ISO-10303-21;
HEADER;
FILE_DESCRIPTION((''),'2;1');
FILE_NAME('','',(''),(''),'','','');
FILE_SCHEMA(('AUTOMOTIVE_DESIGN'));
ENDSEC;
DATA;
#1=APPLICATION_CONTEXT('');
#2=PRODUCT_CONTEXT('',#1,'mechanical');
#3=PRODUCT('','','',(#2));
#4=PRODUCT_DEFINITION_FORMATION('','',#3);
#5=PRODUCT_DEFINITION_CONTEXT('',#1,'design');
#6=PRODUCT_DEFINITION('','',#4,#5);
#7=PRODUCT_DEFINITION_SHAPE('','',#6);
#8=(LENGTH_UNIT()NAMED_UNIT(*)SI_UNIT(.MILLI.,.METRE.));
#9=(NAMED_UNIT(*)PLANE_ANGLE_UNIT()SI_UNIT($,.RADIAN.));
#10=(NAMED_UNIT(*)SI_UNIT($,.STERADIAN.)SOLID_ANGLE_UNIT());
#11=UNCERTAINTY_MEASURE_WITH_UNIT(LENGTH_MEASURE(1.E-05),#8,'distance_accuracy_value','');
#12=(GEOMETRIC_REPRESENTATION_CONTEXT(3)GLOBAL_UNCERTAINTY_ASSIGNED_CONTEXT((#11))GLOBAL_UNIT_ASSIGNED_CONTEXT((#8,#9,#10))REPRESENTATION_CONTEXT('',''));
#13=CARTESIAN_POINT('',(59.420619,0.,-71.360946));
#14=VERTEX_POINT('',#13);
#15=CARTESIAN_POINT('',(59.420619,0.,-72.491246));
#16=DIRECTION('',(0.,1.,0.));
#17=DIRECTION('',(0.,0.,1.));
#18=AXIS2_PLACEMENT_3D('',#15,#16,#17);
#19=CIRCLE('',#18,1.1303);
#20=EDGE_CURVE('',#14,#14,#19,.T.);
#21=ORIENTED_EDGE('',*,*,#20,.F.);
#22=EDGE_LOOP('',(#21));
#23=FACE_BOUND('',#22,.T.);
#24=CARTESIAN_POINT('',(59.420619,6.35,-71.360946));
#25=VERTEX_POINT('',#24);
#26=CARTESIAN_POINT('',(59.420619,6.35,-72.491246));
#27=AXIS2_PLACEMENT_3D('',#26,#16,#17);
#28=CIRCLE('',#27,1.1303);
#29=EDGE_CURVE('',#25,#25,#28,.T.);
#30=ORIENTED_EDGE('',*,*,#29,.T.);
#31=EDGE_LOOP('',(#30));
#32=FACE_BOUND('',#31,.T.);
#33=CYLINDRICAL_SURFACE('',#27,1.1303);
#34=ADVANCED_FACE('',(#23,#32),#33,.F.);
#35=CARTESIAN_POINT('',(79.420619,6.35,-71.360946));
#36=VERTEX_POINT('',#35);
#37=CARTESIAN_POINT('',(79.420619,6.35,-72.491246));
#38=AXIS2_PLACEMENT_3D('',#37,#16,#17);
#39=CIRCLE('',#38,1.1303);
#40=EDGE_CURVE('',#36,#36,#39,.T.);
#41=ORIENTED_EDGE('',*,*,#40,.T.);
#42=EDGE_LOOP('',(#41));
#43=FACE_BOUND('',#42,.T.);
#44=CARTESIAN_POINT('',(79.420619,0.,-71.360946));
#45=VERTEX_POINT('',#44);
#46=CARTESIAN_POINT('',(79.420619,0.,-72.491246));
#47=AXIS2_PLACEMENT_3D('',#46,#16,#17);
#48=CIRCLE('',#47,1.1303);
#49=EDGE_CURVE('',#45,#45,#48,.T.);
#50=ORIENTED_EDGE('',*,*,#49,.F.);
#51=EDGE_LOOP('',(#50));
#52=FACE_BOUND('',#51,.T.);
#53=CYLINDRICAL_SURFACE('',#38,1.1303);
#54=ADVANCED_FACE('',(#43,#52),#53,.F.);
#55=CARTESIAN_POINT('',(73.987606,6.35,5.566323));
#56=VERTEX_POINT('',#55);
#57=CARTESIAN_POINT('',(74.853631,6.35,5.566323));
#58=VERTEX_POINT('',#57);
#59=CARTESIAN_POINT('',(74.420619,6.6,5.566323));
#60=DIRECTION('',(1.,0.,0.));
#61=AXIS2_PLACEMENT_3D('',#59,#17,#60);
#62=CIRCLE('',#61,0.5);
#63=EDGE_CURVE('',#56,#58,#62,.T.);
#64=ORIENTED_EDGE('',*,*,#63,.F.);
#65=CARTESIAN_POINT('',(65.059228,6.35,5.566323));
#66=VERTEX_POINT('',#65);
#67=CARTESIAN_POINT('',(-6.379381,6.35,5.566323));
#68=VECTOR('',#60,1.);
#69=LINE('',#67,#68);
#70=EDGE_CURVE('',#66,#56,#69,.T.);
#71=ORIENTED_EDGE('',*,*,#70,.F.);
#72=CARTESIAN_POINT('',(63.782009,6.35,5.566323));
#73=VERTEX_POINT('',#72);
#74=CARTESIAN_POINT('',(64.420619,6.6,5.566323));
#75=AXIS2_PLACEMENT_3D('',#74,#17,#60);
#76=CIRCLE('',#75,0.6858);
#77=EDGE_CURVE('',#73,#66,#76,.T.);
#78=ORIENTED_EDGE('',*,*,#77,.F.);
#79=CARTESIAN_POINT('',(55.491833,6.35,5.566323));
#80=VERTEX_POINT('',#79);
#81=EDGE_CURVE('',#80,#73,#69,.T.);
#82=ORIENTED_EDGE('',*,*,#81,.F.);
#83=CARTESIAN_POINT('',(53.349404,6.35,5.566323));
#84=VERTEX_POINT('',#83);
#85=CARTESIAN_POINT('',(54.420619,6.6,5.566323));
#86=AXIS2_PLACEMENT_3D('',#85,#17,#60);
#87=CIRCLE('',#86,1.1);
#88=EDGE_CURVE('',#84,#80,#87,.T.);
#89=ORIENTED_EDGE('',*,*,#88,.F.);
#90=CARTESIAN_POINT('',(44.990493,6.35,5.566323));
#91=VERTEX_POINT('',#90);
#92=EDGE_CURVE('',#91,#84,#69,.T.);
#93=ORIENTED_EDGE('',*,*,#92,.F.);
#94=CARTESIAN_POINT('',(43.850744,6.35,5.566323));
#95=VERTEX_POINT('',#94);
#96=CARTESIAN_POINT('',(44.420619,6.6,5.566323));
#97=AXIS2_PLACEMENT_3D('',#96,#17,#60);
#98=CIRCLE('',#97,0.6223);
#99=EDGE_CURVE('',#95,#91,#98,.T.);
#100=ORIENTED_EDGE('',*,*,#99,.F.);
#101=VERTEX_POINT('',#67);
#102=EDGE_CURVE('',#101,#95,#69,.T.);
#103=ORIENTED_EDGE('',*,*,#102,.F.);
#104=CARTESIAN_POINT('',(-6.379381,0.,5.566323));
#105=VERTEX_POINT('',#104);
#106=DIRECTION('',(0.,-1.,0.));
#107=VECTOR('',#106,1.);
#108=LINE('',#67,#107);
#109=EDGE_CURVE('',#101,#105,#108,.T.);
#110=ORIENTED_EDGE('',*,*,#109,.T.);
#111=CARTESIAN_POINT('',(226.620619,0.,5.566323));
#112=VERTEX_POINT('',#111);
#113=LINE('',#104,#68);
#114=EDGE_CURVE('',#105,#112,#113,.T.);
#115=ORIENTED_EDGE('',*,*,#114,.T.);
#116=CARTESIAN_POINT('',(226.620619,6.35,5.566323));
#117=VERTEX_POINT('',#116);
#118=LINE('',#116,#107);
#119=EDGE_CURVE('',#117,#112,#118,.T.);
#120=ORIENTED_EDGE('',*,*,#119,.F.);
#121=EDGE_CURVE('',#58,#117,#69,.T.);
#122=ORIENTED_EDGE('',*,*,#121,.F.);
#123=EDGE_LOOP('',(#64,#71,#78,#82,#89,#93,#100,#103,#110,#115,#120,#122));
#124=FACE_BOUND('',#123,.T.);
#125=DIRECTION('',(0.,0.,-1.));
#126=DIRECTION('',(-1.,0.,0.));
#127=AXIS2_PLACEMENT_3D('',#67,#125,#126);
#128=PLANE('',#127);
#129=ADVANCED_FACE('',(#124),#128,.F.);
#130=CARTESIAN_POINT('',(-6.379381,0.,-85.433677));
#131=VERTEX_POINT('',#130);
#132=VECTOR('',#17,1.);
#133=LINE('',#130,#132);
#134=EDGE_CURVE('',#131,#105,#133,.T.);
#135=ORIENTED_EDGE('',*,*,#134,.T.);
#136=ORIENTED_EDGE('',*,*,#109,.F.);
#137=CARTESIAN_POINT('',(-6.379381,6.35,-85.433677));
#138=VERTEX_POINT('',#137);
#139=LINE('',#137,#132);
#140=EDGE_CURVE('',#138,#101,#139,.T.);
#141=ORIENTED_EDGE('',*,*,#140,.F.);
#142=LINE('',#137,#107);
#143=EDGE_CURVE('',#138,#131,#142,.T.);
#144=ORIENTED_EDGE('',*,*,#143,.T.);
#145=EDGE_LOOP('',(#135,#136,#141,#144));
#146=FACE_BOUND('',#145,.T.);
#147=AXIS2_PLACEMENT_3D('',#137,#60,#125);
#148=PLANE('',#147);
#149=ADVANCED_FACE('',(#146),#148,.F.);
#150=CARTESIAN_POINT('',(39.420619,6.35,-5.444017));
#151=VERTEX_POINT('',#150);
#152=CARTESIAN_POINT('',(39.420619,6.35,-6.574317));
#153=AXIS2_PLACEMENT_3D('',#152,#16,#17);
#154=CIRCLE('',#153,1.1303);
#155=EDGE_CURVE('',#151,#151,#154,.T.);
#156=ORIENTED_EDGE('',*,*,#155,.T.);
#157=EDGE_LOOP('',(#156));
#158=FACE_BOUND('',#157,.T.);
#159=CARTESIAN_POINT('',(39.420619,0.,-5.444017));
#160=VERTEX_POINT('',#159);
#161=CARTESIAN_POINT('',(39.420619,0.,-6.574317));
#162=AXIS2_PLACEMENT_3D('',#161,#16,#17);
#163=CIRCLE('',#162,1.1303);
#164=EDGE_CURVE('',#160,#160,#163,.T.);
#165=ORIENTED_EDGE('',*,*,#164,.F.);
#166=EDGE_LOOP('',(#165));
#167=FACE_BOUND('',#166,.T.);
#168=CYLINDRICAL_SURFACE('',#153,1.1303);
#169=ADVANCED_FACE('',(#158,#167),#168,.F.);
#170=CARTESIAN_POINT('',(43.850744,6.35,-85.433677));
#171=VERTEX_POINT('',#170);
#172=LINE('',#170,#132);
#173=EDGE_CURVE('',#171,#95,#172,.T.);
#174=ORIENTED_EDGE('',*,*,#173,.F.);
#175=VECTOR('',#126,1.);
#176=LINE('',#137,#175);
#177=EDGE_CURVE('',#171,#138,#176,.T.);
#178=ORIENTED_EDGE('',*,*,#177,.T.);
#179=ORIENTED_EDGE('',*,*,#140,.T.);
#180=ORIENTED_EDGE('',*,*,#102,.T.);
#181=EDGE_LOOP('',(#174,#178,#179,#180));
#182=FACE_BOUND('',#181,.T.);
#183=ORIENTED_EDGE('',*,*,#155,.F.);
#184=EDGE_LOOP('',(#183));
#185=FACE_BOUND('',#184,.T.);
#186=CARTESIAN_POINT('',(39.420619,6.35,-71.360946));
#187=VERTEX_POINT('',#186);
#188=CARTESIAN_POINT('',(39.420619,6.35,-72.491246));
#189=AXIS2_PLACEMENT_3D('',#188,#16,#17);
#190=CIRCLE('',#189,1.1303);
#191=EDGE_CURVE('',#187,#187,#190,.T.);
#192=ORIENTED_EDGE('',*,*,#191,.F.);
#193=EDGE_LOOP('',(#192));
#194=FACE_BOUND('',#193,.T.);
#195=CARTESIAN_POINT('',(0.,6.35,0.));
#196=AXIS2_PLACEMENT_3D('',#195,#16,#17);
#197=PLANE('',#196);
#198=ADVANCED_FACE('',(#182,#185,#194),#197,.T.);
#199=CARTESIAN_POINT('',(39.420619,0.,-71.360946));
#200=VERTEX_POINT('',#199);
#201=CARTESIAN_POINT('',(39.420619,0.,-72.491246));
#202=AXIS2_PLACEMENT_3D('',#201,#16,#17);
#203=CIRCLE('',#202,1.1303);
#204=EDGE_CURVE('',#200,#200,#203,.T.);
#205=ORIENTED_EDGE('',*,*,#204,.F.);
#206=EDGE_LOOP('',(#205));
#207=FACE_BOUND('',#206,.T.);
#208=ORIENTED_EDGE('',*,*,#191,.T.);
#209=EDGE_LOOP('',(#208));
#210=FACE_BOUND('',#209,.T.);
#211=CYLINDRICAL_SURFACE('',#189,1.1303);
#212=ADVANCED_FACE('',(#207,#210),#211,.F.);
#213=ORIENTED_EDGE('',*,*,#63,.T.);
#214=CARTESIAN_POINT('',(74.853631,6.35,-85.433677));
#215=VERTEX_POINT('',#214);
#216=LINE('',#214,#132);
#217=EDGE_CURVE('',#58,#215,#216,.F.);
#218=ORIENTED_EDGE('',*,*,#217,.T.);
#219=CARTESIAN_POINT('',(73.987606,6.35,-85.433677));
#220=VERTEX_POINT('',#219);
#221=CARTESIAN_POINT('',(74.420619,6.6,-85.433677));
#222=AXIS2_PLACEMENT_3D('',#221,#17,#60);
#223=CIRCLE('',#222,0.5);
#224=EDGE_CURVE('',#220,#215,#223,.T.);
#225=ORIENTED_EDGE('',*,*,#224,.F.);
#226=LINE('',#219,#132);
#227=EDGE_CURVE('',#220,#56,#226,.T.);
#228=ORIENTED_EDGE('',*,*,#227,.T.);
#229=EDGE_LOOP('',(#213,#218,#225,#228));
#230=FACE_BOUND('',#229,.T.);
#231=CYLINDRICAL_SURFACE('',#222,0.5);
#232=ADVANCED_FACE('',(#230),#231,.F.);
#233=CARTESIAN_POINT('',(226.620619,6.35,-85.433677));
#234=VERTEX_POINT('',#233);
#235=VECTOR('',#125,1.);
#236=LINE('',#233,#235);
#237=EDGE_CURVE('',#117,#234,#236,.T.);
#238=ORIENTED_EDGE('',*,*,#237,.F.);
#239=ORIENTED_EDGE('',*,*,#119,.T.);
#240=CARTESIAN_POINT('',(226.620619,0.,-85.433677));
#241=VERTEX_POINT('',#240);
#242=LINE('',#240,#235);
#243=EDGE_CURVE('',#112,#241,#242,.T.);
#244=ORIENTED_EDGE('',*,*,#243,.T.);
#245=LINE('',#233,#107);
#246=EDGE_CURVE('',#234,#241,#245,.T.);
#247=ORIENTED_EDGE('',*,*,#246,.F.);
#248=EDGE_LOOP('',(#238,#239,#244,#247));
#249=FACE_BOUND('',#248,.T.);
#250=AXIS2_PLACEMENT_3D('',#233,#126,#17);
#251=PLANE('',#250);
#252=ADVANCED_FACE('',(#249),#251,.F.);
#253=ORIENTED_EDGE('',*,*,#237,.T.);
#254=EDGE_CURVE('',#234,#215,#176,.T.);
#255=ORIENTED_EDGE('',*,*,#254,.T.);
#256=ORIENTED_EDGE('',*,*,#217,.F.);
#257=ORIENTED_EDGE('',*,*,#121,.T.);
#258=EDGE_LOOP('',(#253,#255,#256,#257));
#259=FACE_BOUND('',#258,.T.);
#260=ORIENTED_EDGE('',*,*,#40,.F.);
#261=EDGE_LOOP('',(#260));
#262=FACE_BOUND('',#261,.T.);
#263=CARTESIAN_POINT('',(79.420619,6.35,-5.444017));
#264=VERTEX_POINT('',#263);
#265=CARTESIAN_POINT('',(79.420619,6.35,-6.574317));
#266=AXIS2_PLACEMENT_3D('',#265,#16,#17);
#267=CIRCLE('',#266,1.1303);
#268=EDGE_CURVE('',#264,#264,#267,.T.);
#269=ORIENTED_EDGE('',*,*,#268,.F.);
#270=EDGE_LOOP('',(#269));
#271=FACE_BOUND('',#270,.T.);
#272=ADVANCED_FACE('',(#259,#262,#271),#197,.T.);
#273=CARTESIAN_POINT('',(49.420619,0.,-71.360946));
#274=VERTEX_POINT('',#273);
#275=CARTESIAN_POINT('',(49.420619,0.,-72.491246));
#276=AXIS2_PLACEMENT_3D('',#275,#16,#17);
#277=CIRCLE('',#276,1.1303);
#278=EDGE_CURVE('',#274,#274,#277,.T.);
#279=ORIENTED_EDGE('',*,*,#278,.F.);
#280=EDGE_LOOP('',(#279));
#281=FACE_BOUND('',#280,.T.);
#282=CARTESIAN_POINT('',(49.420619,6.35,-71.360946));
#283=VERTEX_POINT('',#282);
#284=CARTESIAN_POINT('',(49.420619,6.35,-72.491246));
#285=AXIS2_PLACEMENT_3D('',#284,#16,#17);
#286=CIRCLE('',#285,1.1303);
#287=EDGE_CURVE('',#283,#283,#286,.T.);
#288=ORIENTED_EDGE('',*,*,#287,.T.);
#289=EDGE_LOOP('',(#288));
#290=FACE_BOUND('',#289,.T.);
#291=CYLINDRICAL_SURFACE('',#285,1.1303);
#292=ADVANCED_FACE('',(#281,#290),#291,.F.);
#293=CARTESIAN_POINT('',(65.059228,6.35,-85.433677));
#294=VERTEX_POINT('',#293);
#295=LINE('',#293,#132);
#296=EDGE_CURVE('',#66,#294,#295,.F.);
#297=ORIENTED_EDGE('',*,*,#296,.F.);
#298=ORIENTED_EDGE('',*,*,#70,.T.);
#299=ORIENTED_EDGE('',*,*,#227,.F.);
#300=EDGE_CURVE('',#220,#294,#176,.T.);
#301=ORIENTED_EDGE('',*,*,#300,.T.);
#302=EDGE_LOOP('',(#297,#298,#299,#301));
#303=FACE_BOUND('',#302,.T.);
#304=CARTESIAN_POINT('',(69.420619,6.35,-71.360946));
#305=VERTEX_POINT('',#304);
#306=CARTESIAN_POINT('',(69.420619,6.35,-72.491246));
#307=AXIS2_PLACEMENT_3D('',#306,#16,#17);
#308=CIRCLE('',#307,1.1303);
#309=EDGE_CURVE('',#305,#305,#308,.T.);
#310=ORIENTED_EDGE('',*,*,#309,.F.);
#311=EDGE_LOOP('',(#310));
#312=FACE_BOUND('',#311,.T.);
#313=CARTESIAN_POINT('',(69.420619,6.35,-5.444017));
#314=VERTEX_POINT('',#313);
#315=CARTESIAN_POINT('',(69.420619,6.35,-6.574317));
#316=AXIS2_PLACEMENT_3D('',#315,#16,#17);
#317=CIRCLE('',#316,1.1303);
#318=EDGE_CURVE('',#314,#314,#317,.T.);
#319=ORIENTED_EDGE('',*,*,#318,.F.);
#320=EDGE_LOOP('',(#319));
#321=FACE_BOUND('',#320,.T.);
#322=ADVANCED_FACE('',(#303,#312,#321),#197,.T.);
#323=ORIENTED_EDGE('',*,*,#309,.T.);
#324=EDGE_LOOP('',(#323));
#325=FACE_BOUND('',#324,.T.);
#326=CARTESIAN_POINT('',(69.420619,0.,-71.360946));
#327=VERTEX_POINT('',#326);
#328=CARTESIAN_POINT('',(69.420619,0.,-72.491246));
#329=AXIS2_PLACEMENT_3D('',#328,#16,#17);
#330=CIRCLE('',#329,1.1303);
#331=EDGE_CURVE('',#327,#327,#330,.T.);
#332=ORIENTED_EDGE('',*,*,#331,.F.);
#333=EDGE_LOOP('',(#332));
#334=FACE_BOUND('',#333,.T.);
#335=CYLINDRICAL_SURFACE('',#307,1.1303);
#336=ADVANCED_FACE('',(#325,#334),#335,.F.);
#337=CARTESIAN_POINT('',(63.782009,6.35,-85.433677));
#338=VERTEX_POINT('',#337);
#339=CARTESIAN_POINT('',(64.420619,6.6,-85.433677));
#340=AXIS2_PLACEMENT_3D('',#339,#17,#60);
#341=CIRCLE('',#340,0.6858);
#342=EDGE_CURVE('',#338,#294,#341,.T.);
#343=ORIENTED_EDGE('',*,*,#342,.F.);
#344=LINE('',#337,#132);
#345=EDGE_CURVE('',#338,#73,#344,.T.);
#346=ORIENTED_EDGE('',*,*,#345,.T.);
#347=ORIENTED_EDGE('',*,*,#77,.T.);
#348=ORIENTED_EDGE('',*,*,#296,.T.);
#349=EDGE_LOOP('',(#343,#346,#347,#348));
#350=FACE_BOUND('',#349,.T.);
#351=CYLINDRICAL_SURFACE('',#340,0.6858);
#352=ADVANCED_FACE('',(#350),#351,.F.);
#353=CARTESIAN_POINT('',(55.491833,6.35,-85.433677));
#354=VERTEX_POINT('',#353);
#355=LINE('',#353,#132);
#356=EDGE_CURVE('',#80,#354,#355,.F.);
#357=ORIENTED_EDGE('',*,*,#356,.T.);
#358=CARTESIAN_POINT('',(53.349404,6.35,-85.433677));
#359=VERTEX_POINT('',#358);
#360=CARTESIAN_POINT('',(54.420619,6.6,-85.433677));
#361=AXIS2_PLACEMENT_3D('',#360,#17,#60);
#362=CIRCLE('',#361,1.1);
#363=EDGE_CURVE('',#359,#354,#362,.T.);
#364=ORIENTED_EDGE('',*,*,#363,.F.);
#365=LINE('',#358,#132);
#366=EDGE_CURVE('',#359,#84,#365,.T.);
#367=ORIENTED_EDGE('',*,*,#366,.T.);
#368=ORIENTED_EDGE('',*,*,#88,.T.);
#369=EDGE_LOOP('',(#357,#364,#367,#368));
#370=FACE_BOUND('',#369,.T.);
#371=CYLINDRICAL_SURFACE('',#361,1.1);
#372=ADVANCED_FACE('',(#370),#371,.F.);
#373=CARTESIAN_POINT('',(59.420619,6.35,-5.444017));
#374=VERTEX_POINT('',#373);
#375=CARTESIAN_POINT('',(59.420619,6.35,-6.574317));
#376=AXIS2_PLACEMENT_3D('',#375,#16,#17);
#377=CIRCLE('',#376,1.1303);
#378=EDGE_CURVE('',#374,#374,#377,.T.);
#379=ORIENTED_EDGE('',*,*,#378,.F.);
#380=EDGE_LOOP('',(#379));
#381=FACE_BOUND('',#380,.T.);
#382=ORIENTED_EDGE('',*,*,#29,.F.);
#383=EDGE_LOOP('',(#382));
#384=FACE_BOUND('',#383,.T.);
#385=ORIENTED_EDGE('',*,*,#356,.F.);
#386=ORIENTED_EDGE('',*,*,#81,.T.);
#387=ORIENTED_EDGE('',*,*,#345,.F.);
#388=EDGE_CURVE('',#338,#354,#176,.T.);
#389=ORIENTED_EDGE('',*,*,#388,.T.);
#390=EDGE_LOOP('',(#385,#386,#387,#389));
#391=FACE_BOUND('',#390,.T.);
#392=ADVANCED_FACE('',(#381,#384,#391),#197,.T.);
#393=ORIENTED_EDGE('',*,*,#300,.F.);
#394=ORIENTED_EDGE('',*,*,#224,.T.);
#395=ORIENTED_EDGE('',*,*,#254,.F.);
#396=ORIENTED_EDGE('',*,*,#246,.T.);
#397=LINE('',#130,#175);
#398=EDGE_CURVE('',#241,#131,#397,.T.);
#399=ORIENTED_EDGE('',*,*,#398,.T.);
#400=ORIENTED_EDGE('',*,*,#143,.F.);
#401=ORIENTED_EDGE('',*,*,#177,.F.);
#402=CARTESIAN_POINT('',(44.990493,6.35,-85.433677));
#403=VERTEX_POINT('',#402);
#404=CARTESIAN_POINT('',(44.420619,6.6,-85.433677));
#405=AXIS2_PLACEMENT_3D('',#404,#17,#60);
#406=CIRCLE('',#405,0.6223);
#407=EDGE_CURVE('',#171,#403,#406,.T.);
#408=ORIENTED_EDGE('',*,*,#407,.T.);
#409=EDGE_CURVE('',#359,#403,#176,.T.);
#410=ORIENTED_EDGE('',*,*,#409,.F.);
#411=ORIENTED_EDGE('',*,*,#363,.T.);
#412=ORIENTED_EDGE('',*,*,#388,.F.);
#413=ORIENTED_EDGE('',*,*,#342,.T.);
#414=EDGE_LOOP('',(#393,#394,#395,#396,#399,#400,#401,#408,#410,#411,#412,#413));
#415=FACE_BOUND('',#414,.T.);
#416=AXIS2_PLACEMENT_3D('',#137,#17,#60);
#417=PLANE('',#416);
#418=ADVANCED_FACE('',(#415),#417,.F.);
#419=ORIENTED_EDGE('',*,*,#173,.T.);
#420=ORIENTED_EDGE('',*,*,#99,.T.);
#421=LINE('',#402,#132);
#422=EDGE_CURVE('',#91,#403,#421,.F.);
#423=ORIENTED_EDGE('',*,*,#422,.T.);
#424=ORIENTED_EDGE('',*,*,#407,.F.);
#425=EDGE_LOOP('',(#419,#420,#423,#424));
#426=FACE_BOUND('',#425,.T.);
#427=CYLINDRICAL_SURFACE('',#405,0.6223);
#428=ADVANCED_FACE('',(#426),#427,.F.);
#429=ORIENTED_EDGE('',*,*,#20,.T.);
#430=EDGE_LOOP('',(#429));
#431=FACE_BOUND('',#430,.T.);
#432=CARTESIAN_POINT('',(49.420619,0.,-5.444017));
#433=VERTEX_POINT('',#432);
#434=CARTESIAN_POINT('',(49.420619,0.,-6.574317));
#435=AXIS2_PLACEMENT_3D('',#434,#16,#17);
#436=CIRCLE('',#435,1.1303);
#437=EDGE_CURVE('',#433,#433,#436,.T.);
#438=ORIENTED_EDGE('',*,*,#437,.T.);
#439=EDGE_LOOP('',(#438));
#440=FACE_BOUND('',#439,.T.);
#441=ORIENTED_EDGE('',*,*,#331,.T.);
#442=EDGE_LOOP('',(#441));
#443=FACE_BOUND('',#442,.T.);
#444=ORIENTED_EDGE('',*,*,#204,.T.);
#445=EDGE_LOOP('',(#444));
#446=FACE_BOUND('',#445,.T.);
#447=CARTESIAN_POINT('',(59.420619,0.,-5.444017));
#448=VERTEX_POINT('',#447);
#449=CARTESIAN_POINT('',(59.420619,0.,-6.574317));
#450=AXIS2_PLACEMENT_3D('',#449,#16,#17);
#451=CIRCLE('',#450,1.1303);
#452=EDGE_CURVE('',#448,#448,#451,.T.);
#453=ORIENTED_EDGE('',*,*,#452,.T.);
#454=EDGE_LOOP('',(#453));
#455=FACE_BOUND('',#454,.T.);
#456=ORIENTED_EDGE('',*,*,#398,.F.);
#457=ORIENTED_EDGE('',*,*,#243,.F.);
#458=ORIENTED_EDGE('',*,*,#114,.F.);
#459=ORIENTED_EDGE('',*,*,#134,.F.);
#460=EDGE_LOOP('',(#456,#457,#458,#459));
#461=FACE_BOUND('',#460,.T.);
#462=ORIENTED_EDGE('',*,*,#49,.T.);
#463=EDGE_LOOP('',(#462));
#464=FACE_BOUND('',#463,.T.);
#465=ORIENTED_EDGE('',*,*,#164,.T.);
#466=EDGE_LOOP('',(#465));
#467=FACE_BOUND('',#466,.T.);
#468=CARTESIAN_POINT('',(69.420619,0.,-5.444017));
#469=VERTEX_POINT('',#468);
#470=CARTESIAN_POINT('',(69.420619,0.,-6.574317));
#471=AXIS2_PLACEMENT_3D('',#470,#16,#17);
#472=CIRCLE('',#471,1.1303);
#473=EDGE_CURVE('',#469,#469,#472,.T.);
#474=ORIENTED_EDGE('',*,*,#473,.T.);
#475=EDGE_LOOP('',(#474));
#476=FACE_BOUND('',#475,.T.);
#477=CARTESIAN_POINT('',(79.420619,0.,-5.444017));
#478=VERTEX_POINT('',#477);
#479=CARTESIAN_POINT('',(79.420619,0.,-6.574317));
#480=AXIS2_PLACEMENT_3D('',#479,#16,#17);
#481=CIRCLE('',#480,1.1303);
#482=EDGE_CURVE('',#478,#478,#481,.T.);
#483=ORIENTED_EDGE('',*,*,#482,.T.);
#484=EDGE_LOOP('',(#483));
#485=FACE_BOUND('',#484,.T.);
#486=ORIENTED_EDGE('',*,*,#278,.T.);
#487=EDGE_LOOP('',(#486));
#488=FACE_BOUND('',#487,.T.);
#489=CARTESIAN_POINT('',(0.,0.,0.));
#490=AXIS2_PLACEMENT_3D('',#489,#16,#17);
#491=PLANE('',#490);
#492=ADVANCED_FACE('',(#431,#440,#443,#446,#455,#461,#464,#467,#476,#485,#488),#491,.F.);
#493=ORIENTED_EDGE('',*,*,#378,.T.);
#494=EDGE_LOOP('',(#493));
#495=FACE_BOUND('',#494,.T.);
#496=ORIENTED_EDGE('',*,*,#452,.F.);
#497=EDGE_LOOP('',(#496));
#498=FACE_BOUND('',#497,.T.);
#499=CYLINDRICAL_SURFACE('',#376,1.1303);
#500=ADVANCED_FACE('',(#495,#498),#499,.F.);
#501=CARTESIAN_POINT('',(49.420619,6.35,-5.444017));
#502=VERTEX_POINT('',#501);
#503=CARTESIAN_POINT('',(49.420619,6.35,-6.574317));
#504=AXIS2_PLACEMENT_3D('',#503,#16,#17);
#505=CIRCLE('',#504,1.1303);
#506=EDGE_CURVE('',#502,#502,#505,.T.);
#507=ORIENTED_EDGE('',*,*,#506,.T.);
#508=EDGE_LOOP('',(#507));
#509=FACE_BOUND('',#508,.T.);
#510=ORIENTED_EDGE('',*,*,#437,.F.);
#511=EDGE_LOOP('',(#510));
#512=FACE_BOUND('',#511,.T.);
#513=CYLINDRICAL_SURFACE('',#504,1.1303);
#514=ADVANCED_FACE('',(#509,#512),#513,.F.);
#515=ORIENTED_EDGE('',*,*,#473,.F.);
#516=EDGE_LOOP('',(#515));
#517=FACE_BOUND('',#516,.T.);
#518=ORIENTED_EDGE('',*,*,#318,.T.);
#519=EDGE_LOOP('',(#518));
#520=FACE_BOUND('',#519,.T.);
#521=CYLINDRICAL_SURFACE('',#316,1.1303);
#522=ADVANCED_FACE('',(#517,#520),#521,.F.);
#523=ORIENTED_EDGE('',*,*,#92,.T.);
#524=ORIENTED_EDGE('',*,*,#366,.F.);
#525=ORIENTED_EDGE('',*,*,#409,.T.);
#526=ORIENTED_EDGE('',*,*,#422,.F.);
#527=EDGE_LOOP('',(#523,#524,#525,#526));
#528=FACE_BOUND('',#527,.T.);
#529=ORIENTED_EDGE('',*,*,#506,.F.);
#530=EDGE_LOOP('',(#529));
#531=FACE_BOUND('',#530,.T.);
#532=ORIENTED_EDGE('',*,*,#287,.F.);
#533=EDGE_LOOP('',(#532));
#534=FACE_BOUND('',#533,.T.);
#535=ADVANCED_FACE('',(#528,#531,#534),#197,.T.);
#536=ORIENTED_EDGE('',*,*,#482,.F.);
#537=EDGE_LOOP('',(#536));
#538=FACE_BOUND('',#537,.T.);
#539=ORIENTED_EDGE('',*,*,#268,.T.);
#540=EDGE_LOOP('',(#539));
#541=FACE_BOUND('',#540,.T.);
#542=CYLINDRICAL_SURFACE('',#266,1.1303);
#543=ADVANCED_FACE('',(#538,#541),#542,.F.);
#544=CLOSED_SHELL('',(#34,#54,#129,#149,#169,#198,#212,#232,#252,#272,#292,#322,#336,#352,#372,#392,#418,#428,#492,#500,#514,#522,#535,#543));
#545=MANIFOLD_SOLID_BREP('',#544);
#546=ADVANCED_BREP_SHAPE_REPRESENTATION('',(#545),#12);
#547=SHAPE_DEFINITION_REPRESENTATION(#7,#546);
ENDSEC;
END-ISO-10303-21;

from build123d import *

# Parameters (mm, degrees)
SKETCH1_W             = 233
SKETCH1_H             = 91
BOSS_EXTRUDE1_DEPTH   = 6.35
SKETCH2_R             = 0.6223
SKETCH2_R_2           = 1.1
SKETCH2_R_3           = 0.6858
SKETCH2_R_4           = 0.5
CUT_EXTRUDE1_DEPTH    = 245.291275438
F_4_40_TAPPED_HOLE1_D = 2.2606


with BuildPart() as part:
    # Sketch1 → Boss-Extrude1 (new body)
    with BuildSketch(Plane(origin=(0, 0, 0), x_dir=(1, 0, 0), z_dir=(0, 1, 0))):
        with Locations((110.120618557, 39.933676976)):
            Rectangle(SKETCH1_W, SKETCH1_H)
    extrude(amount=BOSS_EXTRUDE1_DEPTH)

    # Sketch2 → Cut-Extrude1 (cut, through all)
    with BuildSketch(Plane.XY.offset(5.566323024)):
        with Locations((44.420618557, 6.6)):
            Circle(SKETCH2_R)
        with Locations((54.420618557, 6.6)):
            Circle(SKETCH2_R_2)
        with Locations((64.420618557, 6.6)):
            Circle(SKETCH2_R_3)
        with Locations((74.420618557, 6.6)):
            Circle(SKETCH2_R_4)
    extrude(amount=-CUT_EXTRUDE1_DEPTH, mode=Mode.SUBTRACT)

    # #4-40 Tapped Hole1 (through all)
    with Locations(Plane(origin=(0, 6.35, 0), x_dir=(1, 0, 0), z_dir=(0, 1, 0))):
        with Locations((39.420618557, 72.491246031), (59.420618557, 72.491246031), (49.420618557, 72.491246031), (49.420618557, 6.5743166), (39.420618557, 6.5743166), (59.420618557, 6.5743166), (69.420618557, 72.491246031), (79.420618557, 72.491246031), (69.420618557, 6.5743166), (79.420618557, 6.5743166)):
            Hole(F_4_40_TAPPED_HOLE1_D / 2)


solid = part.part
